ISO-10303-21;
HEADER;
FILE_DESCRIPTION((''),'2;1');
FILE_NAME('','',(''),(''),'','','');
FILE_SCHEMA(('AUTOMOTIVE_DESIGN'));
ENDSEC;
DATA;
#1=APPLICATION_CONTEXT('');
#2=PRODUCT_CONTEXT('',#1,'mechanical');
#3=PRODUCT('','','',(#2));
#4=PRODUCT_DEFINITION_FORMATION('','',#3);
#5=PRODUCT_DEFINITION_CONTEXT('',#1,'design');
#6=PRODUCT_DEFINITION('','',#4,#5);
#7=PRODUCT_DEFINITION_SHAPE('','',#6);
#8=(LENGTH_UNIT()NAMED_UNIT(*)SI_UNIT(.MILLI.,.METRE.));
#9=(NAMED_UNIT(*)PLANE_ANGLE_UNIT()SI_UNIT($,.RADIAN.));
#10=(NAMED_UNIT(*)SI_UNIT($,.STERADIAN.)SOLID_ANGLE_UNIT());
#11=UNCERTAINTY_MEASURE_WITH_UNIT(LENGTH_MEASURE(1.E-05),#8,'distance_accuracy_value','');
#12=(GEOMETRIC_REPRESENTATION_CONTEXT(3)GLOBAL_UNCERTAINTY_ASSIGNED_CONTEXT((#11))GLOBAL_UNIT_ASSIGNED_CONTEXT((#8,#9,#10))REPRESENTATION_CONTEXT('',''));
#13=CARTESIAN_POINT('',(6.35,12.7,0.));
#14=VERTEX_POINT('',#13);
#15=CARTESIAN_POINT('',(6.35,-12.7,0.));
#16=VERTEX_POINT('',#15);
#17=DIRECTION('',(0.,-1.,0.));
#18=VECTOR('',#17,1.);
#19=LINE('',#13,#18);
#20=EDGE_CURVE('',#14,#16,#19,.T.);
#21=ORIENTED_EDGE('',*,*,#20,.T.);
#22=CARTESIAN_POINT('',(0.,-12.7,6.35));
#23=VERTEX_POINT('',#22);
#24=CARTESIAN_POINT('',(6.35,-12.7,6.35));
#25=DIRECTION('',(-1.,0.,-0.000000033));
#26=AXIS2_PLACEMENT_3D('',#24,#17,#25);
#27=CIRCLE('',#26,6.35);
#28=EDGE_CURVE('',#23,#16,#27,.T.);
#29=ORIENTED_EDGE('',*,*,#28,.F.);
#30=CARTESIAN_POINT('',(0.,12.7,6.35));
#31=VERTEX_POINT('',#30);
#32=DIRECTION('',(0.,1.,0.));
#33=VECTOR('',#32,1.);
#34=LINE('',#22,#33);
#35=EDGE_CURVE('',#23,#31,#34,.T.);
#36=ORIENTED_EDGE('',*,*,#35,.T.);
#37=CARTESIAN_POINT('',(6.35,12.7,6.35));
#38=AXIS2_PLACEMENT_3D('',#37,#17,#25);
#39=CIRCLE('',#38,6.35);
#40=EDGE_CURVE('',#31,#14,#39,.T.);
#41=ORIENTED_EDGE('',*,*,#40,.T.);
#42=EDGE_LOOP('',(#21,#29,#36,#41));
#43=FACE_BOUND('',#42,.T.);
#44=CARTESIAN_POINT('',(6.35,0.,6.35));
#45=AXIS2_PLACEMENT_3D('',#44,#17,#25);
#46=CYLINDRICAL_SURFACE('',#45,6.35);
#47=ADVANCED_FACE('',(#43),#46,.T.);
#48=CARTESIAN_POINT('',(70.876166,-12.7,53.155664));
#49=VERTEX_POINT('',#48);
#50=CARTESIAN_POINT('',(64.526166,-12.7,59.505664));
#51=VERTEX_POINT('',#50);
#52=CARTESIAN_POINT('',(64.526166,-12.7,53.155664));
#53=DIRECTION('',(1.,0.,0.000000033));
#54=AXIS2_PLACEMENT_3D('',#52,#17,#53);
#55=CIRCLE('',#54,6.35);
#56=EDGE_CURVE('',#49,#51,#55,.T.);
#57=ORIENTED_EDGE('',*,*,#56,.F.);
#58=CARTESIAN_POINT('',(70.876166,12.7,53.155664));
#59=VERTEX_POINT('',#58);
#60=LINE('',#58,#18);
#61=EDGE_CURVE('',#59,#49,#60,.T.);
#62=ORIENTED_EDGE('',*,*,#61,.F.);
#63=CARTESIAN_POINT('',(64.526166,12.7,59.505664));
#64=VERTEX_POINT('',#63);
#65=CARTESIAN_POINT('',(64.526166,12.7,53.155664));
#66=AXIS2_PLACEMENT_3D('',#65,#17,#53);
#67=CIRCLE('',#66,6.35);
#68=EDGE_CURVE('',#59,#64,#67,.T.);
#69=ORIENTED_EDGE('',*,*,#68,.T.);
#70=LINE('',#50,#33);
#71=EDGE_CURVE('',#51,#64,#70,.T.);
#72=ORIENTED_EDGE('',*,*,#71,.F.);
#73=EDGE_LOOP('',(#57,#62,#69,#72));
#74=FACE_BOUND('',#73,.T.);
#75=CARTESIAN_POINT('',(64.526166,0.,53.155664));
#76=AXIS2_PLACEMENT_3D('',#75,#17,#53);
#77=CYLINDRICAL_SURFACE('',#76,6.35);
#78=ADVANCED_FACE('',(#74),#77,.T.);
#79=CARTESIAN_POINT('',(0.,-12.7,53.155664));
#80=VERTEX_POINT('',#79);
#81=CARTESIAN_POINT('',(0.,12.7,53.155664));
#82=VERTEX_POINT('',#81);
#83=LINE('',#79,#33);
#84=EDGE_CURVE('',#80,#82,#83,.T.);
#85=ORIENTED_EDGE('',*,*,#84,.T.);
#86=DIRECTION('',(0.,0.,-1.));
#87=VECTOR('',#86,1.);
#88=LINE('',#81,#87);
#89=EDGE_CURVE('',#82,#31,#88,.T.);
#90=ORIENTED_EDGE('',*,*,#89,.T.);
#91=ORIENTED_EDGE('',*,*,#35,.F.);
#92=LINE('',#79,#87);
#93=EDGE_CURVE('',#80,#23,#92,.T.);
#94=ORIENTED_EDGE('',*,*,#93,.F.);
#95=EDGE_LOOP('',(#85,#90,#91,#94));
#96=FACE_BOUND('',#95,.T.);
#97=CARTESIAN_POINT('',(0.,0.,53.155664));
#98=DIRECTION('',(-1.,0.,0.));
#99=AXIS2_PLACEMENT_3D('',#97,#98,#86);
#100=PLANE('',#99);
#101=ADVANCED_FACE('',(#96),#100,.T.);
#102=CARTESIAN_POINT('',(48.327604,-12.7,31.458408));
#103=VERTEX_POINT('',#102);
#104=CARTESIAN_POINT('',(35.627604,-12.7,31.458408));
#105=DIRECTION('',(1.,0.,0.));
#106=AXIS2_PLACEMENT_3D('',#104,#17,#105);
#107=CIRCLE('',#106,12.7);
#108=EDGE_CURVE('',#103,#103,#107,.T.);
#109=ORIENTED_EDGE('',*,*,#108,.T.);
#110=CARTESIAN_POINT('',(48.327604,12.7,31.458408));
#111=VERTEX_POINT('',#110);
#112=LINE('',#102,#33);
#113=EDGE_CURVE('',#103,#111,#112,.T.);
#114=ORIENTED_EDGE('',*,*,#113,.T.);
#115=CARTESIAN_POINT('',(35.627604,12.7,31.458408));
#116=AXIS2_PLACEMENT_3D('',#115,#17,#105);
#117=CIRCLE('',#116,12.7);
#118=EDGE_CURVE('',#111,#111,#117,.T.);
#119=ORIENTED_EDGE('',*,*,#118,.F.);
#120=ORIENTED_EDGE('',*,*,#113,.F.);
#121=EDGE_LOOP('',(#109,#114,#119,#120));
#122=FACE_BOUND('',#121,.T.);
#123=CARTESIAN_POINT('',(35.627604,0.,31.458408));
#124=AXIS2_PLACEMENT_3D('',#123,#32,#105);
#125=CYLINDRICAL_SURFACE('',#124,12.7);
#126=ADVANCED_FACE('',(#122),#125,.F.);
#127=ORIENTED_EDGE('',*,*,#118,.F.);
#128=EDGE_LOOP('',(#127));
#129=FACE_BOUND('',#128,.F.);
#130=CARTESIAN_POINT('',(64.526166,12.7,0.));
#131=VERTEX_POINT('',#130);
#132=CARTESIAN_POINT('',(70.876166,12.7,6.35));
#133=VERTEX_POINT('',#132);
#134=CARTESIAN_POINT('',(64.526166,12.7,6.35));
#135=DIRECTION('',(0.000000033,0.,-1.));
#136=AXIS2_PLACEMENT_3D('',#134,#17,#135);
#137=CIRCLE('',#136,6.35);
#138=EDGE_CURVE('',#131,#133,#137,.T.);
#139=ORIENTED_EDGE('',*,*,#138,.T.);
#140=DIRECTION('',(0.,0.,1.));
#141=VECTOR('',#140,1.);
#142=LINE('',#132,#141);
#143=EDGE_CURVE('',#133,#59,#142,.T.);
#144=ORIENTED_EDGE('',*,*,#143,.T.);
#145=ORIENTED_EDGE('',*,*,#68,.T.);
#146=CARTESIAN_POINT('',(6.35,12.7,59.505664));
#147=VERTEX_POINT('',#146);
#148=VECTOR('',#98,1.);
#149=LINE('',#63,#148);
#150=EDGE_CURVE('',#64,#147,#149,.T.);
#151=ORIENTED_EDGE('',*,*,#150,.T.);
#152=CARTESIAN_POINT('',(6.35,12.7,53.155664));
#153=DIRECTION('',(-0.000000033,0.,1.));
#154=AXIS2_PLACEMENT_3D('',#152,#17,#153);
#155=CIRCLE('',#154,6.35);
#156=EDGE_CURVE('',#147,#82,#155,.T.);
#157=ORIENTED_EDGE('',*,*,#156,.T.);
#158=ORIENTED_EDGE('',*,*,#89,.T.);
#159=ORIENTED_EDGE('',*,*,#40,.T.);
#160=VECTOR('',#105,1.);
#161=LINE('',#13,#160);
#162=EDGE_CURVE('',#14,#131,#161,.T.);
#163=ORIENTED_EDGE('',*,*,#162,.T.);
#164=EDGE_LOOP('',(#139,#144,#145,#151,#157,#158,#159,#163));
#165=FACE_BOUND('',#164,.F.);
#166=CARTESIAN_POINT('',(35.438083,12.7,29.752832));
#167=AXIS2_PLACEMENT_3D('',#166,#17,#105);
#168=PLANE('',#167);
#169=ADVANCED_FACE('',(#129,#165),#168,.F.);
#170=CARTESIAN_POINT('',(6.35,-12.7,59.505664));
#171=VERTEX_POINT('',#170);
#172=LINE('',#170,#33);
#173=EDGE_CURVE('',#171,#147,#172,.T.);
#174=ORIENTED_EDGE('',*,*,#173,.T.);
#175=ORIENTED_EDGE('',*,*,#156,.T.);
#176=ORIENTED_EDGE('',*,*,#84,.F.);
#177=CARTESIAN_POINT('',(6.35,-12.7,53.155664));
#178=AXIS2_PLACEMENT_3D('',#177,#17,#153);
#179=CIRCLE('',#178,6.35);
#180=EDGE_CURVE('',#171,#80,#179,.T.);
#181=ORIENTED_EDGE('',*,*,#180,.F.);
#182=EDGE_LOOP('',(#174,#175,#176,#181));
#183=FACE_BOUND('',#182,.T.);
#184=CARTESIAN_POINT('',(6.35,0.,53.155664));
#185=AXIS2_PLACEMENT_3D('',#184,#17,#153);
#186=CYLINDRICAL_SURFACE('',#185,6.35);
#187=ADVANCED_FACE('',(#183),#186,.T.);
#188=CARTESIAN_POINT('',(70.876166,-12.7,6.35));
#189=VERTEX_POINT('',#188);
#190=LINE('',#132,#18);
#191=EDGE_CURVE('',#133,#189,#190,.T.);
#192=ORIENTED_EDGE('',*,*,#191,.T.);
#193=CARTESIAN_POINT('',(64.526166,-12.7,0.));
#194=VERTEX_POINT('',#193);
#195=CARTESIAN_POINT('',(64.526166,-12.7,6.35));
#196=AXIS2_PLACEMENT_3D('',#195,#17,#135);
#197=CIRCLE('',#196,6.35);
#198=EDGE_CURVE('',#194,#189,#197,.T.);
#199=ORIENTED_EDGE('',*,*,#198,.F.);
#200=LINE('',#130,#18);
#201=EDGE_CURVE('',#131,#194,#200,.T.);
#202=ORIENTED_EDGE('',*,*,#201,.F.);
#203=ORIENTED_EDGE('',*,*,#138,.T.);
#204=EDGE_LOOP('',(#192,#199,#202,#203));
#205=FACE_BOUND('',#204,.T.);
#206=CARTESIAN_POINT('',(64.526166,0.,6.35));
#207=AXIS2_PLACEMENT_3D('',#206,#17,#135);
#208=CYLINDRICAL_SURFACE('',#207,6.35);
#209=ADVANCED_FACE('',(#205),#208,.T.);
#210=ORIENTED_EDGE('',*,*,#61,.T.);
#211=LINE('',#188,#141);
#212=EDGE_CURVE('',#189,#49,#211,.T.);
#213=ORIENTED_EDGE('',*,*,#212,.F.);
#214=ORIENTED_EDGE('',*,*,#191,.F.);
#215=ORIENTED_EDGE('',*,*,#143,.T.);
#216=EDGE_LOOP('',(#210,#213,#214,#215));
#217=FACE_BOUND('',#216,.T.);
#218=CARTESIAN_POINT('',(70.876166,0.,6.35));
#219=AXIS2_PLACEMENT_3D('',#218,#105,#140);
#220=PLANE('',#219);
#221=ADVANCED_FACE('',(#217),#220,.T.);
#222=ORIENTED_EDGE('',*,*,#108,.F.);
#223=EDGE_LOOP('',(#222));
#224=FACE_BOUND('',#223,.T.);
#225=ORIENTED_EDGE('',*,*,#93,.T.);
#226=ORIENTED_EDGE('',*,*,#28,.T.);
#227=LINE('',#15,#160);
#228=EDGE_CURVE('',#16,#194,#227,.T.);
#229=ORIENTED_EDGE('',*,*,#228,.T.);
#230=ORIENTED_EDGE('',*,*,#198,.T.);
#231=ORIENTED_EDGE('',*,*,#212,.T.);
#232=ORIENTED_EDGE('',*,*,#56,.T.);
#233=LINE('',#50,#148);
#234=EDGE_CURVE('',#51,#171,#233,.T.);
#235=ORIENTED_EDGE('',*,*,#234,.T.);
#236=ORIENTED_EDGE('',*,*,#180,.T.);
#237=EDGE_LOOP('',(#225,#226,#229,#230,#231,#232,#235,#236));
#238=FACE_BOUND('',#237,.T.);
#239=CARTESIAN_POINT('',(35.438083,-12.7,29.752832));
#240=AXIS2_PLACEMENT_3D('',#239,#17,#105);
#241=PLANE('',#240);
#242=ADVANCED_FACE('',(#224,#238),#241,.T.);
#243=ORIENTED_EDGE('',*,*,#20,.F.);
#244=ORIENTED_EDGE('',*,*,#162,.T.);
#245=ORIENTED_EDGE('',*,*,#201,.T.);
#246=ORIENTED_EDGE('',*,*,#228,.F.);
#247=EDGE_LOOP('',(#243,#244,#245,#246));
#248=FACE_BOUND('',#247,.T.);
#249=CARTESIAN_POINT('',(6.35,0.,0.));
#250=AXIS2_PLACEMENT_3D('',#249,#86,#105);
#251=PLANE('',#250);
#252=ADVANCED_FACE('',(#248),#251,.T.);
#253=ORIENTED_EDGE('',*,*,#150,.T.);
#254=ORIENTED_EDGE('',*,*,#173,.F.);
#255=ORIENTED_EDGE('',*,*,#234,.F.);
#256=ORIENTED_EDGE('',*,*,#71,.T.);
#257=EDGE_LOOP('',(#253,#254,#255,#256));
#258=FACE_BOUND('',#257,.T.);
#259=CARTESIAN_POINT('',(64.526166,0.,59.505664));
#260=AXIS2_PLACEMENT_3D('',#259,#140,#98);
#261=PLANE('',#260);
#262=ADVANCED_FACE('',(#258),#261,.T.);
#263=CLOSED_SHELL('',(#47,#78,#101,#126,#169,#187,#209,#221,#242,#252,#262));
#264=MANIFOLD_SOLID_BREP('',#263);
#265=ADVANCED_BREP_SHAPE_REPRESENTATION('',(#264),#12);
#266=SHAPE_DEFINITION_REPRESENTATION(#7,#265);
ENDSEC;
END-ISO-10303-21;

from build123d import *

# Parameters (mm, degrees)
F0_R     = 12.7
F1_DEPTH = 12.7


with BuildPart() as f1:
    # F0 (on Front) → F1 (new body, symmetric)
    with BuildSketch(Plane.XZ):
        with BuildLine():
            ThreePointArc((0, 6.35), (1.859872, 1.859872), (6.35, 0))
            Line((6.35, 0), (64.526166, 0))
            ThreePointArc((64.526166, 0), (69.016294, 1.859872), (70.876166, 6.35))
            Line((70.876166, 6.35), (70.876166, 53.155664))
            ThreePointArc((70.876166, 53.155664), (69.016294, 57.645792), (64.526166, 59.505664))
            Line((64.526166, 59.505664), (6.35, 59.505664))
            ThreePointArc((6.35, 59.505664), (1.859872, 57.645792), (0, 53.155664))
            Line((0, 53.155664), (0, 6.35))
        make_face()
        with Locations((35.627604, 31.458408)):
            Circle(F0_R, mode=Mode.SUBTRACT)
    extrude(amount=F1_DEPTH, both=True)


solid = f1.part
